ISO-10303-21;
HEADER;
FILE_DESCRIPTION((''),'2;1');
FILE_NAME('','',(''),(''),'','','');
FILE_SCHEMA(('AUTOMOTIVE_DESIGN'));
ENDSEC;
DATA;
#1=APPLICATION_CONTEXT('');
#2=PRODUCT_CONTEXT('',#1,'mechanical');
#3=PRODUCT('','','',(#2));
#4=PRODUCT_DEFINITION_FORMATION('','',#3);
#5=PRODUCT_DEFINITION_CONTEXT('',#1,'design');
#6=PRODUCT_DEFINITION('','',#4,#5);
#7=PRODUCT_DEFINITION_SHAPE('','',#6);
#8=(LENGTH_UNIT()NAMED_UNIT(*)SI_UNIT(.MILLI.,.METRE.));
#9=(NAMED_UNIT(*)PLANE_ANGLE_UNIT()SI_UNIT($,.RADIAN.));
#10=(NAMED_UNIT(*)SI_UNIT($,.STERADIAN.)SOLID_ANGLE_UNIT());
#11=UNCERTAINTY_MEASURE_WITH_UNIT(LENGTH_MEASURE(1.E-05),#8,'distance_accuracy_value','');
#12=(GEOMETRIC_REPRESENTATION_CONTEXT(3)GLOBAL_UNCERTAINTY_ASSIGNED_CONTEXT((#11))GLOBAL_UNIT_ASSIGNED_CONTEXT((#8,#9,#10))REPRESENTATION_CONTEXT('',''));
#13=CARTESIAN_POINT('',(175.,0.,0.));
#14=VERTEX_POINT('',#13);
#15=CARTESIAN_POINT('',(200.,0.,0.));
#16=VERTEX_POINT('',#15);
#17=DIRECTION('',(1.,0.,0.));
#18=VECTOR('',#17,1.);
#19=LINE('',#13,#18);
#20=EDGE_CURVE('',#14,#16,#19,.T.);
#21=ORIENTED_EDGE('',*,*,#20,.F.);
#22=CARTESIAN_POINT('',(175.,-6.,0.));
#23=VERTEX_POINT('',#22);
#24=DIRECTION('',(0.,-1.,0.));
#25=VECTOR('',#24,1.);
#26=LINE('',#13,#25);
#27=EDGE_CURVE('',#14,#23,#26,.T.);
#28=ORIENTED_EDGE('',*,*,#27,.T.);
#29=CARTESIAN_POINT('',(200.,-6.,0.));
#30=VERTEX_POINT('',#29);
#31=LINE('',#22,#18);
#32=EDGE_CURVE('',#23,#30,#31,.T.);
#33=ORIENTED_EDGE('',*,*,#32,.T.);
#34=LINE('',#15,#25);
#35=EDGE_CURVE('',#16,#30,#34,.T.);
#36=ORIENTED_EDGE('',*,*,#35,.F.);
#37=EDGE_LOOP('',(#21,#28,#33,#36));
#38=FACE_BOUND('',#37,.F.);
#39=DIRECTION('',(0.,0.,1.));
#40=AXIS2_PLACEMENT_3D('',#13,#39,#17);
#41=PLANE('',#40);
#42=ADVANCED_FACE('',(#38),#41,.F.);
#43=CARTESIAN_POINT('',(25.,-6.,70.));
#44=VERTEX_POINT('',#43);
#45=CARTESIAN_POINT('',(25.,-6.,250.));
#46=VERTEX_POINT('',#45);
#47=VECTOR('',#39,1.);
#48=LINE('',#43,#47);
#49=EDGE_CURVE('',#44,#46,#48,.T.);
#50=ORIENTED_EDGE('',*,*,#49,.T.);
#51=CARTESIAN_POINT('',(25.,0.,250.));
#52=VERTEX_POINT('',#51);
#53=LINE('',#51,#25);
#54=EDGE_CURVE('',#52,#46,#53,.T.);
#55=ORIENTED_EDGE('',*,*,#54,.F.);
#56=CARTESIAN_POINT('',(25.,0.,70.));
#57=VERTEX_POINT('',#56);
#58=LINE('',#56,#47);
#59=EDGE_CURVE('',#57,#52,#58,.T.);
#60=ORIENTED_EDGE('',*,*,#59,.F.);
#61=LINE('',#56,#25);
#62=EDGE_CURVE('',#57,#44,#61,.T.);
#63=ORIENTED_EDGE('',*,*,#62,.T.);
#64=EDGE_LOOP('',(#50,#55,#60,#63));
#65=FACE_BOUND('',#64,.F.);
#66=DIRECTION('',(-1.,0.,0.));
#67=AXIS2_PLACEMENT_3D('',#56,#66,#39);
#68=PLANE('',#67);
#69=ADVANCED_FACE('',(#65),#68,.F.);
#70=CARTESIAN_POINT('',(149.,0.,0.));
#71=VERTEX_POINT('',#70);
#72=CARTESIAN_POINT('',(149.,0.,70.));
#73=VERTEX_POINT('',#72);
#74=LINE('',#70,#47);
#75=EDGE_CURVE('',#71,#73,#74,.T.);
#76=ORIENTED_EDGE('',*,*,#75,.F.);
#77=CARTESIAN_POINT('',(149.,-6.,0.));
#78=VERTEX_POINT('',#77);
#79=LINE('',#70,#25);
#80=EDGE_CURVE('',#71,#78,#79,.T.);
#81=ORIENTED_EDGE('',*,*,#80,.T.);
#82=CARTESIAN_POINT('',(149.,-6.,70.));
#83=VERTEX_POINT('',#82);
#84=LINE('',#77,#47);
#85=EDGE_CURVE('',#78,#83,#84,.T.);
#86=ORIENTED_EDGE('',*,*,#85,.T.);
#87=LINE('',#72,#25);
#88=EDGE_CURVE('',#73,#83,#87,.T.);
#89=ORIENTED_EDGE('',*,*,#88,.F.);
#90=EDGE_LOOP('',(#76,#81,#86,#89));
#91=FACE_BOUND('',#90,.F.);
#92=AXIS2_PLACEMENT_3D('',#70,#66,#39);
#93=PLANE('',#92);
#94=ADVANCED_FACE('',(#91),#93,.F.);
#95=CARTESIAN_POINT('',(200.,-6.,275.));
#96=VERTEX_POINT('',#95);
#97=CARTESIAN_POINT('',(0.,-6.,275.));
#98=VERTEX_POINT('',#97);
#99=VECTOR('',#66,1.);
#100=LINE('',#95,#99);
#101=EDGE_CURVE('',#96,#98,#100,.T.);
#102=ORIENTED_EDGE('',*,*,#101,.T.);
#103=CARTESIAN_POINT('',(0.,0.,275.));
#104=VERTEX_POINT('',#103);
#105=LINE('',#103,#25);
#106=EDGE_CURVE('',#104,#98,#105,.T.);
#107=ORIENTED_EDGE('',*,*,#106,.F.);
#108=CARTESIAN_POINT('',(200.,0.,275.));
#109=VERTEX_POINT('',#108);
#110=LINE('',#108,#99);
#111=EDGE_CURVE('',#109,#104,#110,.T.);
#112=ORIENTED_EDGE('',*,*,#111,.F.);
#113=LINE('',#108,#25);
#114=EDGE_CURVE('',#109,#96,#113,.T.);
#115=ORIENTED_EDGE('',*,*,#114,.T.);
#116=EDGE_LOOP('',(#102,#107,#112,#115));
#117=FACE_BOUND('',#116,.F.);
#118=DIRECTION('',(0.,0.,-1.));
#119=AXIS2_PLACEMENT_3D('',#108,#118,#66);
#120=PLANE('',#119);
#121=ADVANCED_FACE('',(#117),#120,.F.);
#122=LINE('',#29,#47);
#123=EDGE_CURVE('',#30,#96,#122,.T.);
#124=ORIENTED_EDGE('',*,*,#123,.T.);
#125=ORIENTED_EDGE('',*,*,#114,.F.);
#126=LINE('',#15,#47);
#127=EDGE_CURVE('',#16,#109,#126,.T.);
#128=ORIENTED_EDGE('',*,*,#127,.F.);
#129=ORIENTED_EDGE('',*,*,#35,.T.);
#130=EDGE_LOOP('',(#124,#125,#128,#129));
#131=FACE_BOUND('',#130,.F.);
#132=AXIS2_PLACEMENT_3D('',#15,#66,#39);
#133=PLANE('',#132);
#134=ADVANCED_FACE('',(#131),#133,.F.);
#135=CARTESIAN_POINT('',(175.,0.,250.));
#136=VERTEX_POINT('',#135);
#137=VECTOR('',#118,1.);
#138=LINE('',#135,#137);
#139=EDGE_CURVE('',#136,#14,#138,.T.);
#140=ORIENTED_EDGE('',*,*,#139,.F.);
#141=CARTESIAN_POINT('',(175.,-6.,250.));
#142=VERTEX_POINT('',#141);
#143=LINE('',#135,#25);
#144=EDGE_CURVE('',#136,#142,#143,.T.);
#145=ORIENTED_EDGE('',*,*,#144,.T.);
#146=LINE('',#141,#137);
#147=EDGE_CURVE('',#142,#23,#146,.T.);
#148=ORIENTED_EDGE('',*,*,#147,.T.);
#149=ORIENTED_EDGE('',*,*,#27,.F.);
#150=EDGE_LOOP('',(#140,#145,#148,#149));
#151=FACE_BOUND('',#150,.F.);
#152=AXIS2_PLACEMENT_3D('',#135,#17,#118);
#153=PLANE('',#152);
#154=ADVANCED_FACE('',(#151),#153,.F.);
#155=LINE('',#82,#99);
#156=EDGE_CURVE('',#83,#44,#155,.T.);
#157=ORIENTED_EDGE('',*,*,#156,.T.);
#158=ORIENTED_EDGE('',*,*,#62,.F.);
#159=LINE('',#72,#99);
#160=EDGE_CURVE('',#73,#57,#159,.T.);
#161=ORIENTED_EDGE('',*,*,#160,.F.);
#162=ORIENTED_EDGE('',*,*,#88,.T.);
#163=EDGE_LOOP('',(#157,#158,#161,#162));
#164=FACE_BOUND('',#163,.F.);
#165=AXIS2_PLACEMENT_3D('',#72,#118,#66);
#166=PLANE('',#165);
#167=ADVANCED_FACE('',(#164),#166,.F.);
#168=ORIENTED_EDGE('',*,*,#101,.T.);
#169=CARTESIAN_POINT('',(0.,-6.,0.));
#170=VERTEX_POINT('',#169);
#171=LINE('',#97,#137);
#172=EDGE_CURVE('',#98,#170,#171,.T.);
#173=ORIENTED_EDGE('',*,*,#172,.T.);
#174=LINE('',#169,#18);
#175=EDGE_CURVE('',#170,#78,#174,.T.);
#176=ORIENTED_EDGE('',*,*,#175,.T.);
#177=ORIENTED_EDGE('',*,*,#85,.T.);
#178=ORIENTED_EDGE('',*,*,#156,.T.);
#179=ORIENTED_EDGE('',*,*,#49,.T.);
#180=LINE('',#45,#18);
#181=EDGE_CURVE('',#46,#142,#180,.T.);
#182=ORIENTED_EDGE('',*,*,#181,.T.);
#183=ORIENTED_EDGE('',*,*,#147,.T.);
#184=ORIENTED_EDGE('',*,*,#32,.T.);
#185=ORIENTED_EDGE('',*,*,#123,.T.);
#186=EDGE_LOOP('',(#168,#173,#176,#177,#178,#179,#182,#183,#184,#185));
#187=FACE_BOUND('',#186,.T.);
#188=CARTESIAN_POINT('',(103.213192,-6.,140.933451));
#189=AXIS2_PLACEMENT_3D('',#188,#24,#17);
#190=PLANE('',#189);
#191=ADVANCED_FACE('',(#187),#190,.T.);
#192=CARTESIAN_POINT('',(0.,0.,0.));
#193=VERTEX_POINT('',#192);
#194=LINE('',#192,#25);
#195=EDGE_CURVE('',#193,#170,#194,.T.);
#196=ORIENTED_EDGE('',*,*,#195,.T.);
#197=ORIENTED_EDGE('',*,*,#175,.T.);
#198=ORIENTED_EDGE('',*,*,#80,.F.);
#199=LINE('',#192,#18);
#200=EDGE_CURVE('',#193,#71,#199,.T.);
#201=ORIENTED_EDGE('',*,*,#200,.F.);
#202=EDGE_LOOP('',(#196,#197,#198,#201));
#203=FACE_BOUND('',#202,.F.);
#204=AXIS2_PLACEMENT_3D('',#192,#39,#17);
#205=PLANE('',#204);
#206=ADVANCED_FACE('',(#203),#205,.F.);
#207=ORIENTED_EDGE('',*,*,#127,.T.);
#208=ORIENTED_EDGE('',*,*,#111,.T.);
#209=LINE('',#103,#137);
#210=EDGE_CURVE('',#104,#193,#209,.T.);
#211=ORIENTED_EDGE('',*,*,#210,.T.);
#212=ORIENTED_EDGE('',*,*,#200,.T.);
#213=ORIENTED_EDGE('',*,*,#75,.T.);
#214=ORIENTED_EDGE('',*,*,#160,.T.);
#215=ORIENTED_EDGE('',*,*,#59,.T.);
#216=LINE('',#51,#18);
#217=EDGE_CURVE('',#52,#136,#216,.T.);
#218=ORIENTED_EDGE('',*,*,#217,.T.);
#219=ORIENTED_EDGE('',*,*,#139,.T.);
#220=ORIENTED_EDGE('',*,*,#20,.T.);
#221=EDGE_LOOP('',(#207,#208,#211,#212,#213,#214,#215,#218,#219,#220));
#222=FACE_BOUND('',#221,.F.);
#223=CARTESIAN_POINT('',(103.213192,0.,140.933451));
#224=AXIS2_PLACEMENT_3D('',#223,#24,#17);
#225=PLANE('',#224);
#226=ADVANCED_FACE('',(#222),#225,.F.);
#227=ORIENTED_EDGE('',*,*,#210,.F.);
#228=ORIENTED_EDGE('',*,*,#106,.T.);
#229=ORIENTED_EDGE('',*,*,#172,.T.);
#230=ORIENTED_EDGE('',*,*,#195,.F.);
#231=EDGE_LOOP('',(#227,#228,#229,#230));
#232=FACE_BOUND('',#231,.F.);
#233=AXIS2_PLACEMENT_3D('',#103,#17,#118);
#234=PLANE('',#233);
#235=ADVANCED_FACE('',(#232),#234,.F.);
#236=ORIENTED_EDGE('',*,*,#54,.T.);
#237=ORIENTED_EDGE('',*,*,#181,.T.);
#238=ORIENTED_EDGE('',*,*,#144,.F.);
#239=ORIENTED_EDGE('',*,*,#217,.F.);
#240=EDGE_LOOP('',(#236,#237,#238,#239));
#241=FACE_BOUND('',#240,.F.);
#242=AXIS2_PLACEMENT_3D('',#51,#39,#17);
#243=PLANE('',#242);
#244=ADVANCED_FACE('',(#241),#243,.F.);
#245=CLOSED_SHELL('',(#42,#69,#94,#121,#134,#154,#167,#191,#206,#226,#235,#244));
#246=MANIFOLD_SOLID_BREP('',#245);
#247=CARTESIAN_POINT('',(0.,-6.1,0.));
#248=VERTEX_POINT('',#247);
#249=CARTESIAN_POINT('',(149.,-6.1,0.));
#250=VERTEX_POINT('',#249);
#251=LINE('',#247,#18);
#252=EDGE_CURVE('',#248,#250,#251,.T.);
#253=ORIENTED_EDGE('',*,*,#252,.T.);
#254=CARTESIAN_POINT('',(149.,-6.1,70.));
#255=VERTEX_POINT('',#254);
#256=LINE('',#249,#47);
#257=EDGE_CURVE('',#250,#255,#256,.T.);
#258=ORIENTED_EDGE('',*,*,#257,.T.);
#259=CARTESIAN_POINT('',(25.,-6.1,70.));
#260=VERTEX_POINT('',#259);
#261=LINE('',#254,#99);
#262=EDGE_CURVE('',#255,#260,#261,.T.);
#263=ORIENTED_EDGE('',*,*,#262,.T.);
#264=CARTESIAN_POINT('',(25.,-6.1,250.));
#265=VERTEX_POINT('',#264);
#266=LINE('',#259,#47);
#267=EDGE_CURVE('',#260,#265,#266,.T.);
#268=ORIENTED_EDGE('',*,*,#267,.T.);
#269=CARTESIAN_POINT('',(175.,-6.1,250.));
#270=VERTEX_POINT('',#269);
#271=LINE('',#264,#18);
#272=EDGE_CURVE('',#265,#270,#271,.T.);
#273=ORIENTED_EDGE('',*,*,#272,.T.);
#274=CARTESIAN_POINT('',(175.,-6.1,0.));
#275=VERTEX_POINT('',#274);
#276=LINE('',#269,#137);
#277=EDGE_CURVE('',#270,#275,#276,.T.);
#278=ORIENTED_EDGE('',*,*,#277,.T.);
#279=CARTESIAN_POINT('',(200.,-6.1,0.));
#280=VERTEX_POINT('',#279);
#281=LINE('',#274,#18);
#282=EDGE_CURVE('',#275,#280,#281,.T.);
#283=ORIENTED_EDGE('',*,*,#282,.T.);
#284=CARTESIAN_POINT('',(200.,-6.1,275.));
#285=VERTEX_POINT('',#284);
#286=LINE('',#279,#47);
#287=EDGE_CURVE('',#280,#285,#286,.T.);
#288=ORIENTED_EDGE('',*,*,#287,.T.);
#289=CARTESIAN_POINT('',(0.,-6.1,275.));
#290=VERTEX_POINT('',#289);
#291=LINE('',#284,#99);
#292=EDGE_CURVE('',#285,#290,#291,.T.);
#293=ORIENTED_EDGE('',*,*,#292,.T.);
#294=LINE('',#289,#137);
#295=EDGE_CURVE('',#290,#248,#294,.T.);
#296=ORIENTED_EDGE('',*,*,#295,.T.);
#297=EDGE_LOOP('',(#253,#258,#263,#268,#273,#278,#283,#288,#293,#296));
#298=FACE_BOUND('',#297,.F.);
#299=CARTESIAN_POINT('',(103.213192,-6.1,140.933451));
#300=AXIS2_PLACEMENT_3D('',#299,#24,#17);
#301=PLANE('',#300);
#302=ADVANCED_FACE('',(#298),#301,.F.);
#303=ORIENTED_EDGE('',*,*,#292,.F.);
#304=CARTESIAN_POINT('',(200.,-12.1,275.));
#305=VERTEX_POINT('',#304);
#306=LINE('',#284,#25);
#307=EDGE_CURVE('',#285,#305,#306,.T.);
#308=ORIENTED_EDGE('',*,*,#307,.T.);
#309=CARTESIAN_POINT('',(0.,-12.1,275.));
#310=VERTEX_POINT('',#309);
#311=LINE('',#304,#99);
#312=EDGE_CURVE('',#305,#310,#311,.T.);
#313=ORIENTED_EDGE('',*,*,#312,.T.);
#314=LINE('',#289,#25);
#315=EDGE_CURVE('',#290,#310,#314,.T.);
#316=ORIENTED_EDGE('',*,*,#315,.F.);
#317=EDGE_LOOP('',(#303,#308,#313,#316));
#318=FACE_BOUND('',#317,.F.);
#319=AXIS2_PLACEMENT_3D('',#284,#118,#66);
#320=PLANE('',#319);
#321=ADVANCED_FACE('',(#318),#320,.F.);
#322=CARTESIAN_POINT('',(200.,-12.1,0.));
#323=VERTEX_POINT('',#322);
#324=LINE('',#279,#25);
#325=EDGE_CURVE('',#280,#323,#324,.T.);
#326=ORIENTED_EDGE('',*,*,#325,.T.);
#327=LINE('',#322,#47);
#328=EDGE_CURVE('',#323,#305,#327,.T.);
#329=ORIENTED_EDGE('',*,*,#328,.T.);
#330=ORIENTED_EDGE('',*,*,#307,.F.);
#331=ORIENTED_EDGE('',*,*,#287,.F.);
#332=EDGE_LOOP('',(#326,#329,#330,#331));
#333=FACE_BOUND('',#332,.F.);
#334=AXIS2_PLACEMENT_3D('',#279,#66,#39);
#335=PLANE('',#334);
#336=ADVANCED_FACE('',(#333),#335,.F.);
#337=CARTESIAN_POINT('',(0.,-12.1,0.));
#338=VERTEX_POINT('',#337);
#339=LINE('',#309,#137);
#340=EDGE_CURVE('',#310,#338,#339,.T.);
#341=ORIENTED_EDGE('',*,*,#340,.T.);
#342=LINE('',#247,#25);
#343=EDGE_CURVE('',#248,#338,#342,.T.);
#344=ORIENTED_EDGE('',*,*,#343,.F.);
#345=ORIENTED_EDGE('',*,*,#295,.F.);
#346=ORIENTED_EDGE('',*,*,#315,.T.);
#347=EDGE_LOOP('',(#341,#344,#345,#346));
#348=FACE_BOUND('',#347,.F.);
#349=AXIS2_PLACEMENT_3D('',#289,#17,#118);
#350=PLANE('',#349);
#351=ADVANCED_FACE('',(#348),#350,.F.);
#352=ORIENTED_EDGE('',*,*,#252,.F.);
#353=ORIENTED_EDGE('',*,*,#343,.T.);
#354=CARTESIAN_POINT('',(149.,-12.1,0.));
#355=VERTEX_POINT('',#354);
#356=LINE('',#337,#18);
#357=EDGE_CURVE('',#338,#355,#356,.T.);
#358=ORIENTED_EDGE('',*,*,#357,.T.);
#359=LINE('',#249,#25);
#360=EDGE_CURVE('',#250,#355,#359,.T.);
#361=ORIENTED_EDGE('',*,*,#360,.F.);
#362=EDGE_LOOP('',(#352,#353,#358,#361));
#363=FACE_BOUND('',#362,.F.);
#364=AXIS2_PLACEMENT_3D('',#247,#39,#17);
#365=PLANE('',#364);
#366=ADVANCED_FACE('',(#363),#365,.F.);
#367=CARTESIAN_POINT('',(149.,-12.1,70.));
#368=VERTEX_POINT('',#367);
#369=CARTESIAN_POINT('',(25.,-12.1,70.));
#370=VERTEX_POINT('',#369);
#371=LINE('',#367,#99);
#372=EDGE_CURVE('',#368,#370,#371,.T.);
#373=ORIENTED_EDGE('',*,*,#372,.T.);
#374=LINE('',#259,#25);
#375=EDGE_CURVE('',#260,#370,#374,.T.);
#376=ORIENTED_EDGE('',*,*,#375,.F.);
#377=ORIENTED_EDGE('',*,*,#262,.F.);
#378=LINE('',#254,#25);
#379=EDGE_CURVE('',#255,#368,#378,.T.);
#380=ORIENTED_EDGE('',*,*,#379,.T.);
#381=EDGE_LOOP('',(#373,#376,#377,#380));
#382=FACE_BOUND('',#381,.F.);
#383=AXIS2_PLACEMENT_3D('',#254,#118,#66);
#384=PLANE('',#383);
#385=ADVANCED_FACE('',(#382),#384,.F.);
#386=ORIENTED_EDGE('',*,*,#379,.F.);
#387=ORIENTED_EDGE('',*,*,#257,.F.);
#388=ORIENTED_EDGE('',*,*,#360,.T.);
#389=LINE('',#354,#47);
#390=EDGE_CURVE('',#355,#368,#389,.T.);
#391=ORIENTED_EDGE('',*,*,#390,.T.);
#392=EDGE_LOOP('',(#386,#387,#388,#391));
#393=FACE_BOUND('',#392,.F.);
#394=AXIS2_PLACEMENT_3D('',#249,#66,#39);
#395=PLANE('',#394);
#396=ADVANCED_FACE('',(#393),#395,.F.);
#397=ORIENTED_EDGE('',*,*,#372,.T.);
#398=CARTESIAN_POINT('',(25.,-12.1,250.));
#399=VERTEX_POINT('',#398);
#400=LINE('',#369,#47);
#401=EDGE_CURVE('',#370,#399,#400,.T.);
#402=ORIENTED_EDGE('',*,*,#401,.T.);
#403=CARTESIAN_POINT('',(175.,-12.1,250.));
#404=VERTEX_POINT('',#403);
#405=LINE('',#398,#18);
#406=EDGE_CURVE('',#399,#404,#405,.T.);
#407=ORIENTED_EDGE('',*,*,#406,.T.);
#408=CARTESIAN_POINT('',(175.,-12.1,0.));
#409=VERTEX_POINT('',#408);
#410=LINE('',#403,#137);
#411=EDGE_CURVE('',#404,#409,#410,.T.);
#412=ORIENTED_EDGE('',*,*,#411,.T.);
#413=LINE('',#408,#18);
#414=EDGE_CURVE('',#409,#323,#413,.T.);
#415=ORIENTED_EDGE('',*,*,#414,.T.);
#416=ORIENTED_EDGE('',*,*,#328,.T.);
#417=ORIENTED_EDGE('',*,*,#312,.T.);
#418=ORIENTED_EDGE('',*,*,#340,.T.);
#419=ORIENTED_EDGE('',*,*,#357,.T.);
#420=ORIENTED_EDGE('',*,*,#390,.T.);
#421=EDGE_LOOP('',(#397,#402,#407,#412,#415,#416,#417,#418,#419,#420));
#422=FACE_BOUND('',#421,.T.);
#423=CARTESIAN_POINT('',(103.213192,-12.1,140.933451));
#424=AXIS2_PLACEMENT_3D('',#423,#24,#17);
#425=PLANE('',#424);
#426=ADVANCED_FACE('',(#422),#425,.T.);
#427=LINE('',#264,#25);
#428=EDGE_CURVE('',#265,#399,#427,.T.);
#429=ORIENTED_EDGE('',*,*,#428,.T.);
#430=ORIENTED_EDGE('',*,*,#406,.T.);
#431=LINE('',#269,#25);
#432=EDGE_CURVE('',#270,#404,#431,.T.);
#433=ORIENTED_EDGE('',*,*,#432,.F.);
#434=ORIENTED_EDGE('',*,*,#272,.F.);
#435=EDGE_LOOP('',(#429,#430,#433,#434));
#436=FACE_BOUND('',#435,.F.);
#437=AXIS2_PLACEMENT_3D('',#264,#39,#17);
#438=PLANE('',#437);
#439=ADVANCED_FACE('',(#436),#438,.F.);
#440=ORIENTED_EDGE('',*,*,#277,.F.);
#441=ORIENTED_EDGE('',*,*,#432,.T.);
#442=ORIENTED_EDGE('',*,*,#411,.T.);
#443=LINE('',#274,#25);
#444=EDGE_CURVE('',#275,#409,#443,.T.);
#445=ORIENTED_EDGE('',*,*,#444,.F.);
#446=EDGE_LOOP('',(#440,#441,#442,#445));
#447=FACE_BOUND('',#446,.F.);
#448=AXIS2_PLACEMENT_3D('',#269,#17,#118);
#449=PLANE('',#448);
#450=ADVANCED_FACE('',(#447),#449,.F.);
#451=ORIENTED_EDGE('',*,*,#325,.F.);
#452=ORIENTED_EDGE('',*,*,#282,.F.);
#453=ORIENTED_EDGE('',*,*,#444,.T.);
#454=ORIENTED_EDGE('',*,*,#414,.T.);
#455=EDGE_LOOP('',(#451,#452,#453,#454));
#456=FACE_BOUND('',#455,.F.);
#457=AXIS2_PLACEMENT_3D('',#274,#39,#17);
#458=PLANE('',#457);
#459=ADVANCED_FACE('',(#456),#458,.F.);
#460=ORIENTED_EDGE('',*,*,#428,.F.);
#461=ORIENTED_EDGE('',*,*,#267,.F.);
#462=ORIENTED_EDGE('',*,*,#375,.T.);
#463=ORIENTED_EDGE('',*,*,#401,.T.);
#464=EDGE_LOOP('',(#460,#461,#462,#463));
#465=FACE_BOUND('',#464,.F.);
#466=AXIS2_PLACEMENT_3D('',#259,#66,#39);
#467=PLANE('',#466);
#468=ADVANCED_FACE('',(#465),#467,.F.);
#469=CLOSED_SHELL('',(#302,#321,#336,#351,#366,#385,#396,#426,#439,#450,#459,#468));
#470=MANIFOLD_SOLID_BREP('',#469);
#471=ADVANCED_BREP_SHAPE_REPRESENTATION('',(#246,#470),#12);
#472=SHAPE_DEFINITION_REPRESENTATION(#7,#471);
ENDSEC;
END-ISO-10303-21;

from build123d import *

# Parameters (mm, degrees)
F1_DEPTH = 6
F2_START = 0.1
F2_DEPTH = 6


with BuildPart() as f1:
    # F0 (on Front) → F1 (new body)
    with BuildSketch(Plane.XZ):
        Polygon((0, 275), (0, 0), (149, 0), (149, 70), (25, 70), (25, 250), (175, 250), (175, 70), (175, 0), (200, 0), (200, 275), align=None)
    extrude(amount=F1_DEPTH)


with BuildPart() as f2:
    # F1_face (on face) → F2 (new body)
    with BuildSketch(Plane(origin=(95.6898395722, -6, 121.4209320092), x_dir=(1, 0, 0), z_dir=(0, -1, 0)).offset(F2_START)):
        Polygon((-95.6898395722, 153.5790679908), (-95.6898395722, -121.4209320092), (53.3101604278, -121.4209320092), (53.3101604278, -51.4209320092), (-70.6898395722, -51.4209320092), (-70.6898395722, 128.5790679908), (79.3101604278, 128.5790679908), (79.3101604278, -121.4209320092), (104.3101604278, -121.4209320092), (104.3101604278, 153.5790679908), align=None)
    extrude(amount=F2_DEPTH)


solid = Compound([f1.part, f2.part])
